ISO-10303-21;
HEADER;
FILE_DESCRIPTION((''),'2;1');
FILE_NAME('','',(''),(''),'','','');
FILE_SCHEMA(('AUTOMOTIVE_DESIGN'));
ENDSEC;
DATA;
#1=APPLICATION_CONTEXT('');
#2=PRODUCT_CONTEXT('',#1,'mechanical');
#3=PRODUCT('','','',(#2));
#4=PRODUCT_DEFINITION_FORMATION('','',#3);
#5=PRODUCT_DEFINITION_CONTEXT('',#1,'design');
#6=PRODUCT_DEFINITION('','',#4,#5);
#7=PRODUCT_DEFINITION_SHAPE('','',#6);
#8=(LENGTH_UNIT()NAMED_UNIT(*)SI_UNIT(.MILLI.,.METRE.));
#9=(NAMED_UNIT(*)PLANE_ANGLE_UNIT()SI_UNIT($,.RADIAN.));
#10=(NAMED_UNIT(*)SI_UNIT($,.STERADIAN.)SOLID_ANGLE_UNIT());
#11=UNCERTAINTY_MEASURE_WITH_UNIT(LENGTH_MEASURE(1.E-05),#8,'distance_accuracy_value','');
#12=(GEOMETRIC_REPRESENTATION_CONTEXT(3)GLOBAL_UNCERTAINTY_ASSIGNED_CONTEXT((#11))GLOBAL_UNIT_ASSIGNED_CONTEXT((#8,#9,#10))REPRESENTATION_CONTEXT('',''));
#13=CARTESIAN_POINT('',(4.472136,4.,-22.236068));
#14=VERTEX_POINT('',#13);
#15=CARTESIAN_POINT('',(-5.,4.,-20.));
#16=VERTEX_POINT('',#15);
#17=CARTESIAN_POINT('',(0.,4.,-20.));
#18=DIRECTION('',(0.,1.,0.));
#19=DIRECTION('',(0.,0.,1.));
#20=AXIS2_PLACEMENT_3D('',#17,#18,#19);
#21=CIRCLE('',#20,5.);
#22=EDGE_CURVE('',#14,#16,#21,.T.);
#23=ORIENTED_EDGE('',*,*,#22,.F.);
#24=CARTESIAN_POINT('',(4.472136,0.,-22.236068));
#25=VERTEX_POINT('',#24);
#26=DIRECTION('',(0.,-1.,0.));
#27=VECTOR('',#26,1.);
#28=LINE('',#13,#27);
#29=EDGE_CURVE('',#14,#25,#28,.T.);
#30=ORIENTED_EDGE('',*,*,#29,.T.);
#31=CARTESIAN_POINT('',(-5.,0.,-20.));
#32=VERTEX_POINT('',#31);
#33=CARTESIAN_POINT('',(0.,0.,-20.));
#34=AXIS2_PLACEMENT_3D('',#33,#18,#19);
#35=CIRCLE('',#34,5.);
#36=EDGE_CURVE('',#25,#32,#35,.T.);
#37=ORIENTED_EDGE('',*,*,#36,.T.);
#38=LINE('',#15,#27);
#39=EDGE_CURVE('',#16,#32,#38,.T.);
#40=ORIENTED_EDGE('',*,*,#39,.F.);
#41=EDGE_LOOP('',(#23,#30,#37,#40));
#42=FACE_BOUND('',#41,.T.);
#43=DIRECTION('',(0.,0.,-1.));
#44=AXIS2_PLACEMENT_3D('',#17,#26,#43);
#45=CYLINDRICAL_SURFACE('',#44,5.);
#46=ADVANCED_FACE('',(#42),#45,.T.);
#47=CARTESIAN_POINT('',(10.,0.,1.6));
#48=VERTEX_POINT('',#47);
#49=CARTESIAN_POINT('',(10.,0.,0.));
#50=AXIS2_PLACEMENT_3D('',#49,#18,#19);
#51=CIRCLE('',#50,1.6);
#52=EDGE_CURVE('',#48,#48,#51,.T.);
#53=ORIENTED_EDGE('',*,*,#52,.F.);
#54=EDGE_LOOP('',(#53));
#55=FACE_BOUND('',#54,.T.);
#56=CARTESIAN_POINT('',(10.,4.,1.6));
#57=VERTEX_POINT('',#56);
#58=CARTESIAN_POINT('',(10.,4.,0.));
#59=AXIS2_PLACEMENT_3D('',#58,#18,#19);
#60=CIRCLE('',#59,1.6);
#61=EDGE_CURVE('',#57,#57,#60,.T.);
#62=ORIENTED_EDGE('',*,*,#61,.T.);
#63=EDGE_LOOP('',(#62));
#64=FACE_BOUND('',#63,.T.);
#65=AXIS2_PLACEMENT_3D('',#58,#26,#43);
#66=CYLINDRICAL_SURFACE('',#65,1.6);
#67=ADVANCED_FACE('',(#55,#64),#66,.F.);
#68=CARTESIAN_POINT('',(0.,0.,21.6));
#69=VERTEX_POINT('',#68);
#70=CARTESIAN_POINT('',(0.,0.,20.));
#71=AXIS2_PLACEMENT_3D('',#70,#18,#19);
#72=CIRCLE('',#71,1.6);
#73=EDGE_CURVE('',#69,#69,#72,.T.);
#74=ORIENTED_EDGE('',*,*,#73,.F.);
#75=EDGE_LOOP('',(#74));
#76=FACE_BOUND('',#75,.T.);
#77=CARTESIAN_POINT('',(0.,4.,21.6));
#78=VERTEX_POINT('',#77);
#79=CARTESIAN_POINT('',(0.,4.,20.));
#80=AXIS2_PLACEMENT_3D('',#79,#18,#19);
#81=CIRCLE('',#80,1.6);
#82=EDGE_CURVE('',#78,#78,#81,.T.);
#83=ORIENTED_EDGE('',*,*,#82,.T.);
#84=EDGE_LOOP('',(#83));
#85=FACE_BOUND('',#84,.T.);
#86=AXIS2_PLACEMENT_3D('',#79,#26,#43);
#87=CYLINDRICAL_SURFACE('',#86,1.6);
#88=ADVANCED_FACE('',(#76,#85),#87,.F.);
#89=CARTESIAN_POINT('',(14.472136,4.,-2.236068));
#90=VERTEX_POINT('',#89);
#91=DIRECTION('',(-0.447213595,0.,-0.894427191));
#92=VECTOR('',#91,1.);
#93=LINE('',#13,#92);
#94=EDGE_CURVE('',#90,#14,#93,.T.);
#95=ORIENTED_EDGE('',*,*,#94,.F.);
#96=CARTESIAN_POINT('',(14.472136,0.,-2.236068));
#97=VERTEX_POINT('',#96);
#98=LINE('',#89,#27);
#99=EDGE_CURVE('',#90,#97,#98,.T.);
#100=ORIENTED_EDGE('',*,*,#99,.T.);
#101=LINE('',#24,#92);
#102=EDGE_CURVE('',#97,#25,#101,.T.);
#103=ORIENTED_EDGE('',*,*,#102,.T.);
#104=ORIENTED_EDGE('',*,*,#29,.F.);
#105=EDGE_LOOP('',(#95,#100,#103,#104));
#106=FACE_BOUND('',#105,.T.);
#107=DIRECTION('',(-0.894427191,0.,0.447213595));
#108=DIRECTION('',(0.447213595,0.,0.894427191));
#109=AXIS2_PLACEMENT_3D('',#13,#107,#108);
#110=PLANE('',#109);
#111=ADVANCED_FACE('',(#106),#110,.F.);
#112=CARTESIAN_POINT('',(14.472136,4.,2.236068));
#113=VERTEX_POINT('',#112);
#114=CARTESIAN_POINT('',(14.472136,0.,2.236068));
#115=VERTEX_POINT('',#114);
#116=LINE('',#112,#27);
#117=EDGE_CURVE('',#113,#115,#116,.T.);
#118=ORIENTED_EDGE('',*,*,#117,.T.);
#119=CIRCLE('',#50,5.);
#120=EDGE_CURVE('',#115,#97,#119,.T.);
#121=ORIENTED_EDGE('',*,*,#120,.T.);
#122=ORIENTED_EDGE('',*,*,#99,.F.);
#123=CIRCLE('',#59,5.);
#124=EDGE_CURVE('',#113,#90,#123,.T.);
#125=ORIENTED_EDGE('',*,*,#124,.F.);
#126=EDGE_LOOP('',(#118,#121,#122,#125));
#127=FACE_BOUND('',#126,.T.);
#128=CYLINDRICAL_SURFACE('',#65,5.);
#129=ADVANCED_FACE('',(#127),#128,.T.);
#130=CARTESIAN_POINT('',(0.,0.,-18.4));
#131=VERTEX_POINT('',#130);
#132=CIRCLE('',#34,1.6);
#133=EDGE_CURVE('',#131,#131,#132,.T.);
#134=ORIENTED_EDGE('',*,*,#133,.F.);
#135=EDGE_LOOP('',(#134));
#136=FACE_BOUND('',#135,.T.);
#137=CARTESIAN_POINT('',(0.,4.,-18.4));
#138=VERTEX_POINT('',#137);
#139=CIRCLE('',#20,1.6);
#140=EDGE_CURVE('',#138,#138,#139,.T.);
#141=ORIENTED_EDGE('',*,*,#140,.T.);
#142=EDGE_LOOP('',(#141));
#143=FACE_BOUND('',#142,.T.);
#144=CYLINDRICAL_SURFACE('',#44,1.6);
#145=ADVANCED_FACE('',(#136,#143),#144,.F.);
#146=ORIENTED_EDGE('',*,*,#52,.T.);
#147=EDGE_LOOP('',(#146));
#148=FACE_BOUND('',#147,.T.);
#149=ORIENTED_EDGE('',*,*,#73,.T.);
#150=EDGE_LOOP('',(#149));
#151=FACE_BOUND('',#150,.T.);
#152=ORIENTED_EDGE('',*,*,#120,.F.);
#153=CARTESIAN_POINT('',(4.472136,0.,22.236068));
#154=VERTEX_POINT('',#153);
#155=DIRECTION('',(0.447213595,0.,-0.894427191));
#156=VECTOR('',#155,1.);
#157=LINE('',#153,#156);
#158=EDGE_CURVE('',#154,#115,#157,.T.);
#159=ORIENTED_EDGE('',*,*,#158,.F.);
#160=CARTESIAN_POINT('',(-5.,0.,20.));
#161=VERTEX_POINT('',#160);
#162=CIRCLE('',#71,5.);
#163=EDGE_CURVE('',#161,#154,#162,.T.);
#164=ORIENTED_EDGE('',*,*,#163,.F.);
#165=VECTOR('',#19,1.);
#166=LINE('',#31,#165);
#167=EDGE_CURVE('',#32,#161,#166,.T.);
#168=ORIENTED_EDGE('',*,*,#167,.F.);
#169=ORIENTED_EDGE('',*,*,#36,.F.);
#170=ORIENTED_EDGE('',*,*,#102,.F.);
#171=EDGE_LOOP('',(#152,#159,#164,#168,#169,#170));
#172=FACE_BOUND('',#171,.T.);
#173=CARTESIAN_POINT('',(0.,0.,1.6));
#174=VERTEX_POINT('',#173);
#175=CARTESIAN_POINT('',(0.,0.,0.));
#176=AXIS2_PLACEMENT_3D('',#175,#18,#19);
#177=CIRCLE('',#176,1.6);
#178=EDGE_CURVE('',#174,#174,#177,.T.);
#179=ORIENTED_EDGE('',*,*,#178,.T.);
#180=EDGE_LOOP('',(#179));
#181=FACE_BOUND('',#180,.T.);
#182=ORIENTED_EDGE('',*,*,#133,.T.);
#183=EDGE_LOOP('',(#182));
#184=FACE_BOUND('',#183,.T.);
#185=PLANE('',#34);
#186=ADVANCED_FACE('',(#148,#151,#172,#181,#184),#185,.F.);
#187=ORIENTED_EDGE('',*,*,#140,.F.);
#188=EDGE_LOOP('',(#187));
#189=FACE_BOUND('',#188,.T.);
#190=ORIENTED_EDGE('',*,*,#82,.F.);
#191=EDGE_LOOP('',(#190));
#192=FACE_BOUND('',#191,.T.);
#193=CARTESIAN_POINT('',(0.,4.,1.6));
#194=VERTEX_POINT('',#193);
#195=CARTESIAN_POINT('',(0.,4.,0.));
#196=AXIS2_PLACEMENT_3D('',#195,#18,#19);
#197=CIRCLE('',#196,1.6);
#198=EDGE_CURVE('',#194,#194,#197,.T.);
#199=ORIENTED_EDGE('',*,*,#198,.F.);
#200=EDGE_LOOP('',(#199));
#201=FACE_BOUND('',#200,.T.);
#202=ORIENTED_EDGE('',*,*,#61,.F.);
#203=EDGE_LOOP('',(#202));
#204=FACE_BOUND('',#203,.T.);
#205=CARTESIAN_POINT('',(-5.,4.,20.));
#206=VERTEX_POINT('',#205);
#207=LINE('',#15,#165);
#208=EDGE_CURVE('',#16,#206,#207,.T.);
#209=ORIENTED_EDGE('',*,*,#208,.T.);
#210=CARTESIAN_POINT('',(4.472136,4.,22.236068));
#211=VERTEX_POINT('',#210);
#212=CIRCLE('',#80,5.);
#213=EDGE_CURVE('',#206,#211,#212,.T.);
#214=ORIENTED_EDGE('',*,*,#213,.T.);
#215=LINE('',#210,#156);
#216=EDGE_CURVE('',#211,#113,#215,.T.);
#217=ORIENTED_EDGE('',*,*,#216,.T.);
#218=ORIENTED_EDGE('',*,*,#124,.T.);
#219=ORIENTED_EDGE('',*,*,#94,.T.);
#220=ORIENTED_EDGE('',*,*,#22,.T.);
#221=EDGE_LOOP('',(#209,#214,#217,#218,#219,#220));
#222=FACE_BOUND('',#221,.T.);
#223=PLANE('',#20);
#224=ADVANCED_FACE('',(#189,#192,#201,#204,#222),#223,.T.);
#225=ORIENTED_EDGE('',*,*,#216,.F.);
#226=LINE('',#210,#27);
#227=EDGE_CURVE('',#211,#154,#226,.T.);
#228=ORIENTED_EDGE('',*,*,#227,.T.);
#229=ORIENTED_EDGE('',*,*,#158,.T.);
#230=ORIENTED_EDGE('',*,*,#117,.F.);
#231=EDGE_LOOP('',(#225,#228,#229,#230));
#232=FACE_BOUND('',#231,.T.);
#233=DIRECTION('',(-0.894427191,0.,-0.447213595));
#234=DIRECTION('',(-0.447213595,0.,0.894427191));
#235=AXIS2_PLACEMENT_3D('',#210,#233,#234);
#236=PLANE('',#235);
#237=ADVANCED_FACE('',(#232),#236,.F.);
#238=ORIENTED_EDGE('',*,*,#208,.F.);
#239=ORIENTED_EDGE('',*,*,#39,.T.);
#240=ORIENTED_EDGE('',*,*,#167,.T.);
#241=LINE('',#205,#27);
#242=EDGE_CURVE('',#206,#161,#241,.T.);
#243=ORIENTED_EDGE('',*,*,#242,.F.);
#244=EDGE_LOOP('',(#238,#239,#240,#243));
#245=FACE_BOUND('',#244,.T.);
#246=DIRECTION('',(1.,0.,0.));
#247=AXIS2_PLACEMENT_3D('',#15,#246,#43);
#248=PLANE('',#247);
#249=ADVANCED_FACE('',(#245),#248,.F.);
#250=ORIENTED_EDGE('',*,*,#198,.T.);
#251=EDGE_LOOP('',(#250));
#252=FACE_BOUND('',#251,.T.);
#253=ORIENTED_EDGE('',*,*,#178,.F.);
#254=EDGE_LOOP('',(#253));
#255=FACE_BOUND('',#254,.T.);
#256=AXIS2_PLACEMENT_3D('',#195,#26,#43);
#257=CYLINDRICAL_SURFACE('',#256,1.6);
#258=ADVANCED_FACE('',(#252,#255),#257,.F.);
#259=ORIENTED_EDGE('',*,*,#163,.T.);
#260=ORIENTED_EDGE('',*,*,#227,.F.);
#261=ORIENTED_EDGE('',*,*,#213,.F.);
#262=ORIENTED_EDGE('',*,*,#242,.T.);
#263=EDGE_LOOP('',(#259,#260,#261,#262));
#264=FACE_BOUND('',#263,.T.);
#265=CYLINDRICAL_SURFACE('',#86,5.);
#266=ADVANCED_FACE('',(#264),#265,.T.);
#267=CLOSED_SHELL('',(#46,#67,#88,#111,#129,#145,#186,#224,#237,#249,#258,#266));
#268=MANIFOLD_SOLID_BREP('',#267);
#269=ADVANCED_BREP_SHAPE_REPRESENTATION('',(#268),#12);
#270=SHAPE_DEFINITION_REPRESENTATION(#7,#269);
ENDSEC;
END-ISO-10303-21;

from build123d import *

# Parameters (mm, degrees)
SKETCH1_R           = 1.6
BOSS_EXTRUDE1_DEPTH = 4


with BuildPart() as part:
    # Sketch1 → Boss-Extrude1 (new body)
    with BuildSketch(Plane(origin=(0, 0, 0), x_dir=(1, 0, 0), z_dir=(0, 1, 0))):
        with BuildLine():
            Line((-5, 20), (-5, -20))
            ThreePointArc((-5, -20), (-1.148764603, -24.866244947), (4.472135955, -22.236067977))
            Line((4.472135955, -22.236067977), (14.472135955, -2.236067977))
            ThreePointArc((14.472135955, -2.236067977), (15, 0), (14.472135955, 2.236067977))
            Line((14.472135955, 2.236067977), (4.472135955, 22.236067977))
            ThreePointArc((4.472135955, 22.236067977), (-1.148764603, 24.866244947), (-5, 20))
        make_face()
        with Locations(Location((0, 20, 0), (0, 0, 270))):
            Circle(SKETCH1_R, mode=Mode.SUBTRACT)
        with Locations(Location((0, -20, 0), (0, 0, 270))):
            Circle(SKETCH1_R, mode=Mode.SUBTRACT)
        with Locations(Location((10, 0, 0), (0, 0, 270))):
            Circle(SKETCH1_R, mode=Mode.SUBTRACT)
        with Locations(Location((0, 0, 0), (0, 0, 270))):
            Circle(SKETCH1_R, mode=Mode.SUBTRACT)
    extrude(amount=BOSS_EXTRUDE1_DEPTH)


solid = part.part
